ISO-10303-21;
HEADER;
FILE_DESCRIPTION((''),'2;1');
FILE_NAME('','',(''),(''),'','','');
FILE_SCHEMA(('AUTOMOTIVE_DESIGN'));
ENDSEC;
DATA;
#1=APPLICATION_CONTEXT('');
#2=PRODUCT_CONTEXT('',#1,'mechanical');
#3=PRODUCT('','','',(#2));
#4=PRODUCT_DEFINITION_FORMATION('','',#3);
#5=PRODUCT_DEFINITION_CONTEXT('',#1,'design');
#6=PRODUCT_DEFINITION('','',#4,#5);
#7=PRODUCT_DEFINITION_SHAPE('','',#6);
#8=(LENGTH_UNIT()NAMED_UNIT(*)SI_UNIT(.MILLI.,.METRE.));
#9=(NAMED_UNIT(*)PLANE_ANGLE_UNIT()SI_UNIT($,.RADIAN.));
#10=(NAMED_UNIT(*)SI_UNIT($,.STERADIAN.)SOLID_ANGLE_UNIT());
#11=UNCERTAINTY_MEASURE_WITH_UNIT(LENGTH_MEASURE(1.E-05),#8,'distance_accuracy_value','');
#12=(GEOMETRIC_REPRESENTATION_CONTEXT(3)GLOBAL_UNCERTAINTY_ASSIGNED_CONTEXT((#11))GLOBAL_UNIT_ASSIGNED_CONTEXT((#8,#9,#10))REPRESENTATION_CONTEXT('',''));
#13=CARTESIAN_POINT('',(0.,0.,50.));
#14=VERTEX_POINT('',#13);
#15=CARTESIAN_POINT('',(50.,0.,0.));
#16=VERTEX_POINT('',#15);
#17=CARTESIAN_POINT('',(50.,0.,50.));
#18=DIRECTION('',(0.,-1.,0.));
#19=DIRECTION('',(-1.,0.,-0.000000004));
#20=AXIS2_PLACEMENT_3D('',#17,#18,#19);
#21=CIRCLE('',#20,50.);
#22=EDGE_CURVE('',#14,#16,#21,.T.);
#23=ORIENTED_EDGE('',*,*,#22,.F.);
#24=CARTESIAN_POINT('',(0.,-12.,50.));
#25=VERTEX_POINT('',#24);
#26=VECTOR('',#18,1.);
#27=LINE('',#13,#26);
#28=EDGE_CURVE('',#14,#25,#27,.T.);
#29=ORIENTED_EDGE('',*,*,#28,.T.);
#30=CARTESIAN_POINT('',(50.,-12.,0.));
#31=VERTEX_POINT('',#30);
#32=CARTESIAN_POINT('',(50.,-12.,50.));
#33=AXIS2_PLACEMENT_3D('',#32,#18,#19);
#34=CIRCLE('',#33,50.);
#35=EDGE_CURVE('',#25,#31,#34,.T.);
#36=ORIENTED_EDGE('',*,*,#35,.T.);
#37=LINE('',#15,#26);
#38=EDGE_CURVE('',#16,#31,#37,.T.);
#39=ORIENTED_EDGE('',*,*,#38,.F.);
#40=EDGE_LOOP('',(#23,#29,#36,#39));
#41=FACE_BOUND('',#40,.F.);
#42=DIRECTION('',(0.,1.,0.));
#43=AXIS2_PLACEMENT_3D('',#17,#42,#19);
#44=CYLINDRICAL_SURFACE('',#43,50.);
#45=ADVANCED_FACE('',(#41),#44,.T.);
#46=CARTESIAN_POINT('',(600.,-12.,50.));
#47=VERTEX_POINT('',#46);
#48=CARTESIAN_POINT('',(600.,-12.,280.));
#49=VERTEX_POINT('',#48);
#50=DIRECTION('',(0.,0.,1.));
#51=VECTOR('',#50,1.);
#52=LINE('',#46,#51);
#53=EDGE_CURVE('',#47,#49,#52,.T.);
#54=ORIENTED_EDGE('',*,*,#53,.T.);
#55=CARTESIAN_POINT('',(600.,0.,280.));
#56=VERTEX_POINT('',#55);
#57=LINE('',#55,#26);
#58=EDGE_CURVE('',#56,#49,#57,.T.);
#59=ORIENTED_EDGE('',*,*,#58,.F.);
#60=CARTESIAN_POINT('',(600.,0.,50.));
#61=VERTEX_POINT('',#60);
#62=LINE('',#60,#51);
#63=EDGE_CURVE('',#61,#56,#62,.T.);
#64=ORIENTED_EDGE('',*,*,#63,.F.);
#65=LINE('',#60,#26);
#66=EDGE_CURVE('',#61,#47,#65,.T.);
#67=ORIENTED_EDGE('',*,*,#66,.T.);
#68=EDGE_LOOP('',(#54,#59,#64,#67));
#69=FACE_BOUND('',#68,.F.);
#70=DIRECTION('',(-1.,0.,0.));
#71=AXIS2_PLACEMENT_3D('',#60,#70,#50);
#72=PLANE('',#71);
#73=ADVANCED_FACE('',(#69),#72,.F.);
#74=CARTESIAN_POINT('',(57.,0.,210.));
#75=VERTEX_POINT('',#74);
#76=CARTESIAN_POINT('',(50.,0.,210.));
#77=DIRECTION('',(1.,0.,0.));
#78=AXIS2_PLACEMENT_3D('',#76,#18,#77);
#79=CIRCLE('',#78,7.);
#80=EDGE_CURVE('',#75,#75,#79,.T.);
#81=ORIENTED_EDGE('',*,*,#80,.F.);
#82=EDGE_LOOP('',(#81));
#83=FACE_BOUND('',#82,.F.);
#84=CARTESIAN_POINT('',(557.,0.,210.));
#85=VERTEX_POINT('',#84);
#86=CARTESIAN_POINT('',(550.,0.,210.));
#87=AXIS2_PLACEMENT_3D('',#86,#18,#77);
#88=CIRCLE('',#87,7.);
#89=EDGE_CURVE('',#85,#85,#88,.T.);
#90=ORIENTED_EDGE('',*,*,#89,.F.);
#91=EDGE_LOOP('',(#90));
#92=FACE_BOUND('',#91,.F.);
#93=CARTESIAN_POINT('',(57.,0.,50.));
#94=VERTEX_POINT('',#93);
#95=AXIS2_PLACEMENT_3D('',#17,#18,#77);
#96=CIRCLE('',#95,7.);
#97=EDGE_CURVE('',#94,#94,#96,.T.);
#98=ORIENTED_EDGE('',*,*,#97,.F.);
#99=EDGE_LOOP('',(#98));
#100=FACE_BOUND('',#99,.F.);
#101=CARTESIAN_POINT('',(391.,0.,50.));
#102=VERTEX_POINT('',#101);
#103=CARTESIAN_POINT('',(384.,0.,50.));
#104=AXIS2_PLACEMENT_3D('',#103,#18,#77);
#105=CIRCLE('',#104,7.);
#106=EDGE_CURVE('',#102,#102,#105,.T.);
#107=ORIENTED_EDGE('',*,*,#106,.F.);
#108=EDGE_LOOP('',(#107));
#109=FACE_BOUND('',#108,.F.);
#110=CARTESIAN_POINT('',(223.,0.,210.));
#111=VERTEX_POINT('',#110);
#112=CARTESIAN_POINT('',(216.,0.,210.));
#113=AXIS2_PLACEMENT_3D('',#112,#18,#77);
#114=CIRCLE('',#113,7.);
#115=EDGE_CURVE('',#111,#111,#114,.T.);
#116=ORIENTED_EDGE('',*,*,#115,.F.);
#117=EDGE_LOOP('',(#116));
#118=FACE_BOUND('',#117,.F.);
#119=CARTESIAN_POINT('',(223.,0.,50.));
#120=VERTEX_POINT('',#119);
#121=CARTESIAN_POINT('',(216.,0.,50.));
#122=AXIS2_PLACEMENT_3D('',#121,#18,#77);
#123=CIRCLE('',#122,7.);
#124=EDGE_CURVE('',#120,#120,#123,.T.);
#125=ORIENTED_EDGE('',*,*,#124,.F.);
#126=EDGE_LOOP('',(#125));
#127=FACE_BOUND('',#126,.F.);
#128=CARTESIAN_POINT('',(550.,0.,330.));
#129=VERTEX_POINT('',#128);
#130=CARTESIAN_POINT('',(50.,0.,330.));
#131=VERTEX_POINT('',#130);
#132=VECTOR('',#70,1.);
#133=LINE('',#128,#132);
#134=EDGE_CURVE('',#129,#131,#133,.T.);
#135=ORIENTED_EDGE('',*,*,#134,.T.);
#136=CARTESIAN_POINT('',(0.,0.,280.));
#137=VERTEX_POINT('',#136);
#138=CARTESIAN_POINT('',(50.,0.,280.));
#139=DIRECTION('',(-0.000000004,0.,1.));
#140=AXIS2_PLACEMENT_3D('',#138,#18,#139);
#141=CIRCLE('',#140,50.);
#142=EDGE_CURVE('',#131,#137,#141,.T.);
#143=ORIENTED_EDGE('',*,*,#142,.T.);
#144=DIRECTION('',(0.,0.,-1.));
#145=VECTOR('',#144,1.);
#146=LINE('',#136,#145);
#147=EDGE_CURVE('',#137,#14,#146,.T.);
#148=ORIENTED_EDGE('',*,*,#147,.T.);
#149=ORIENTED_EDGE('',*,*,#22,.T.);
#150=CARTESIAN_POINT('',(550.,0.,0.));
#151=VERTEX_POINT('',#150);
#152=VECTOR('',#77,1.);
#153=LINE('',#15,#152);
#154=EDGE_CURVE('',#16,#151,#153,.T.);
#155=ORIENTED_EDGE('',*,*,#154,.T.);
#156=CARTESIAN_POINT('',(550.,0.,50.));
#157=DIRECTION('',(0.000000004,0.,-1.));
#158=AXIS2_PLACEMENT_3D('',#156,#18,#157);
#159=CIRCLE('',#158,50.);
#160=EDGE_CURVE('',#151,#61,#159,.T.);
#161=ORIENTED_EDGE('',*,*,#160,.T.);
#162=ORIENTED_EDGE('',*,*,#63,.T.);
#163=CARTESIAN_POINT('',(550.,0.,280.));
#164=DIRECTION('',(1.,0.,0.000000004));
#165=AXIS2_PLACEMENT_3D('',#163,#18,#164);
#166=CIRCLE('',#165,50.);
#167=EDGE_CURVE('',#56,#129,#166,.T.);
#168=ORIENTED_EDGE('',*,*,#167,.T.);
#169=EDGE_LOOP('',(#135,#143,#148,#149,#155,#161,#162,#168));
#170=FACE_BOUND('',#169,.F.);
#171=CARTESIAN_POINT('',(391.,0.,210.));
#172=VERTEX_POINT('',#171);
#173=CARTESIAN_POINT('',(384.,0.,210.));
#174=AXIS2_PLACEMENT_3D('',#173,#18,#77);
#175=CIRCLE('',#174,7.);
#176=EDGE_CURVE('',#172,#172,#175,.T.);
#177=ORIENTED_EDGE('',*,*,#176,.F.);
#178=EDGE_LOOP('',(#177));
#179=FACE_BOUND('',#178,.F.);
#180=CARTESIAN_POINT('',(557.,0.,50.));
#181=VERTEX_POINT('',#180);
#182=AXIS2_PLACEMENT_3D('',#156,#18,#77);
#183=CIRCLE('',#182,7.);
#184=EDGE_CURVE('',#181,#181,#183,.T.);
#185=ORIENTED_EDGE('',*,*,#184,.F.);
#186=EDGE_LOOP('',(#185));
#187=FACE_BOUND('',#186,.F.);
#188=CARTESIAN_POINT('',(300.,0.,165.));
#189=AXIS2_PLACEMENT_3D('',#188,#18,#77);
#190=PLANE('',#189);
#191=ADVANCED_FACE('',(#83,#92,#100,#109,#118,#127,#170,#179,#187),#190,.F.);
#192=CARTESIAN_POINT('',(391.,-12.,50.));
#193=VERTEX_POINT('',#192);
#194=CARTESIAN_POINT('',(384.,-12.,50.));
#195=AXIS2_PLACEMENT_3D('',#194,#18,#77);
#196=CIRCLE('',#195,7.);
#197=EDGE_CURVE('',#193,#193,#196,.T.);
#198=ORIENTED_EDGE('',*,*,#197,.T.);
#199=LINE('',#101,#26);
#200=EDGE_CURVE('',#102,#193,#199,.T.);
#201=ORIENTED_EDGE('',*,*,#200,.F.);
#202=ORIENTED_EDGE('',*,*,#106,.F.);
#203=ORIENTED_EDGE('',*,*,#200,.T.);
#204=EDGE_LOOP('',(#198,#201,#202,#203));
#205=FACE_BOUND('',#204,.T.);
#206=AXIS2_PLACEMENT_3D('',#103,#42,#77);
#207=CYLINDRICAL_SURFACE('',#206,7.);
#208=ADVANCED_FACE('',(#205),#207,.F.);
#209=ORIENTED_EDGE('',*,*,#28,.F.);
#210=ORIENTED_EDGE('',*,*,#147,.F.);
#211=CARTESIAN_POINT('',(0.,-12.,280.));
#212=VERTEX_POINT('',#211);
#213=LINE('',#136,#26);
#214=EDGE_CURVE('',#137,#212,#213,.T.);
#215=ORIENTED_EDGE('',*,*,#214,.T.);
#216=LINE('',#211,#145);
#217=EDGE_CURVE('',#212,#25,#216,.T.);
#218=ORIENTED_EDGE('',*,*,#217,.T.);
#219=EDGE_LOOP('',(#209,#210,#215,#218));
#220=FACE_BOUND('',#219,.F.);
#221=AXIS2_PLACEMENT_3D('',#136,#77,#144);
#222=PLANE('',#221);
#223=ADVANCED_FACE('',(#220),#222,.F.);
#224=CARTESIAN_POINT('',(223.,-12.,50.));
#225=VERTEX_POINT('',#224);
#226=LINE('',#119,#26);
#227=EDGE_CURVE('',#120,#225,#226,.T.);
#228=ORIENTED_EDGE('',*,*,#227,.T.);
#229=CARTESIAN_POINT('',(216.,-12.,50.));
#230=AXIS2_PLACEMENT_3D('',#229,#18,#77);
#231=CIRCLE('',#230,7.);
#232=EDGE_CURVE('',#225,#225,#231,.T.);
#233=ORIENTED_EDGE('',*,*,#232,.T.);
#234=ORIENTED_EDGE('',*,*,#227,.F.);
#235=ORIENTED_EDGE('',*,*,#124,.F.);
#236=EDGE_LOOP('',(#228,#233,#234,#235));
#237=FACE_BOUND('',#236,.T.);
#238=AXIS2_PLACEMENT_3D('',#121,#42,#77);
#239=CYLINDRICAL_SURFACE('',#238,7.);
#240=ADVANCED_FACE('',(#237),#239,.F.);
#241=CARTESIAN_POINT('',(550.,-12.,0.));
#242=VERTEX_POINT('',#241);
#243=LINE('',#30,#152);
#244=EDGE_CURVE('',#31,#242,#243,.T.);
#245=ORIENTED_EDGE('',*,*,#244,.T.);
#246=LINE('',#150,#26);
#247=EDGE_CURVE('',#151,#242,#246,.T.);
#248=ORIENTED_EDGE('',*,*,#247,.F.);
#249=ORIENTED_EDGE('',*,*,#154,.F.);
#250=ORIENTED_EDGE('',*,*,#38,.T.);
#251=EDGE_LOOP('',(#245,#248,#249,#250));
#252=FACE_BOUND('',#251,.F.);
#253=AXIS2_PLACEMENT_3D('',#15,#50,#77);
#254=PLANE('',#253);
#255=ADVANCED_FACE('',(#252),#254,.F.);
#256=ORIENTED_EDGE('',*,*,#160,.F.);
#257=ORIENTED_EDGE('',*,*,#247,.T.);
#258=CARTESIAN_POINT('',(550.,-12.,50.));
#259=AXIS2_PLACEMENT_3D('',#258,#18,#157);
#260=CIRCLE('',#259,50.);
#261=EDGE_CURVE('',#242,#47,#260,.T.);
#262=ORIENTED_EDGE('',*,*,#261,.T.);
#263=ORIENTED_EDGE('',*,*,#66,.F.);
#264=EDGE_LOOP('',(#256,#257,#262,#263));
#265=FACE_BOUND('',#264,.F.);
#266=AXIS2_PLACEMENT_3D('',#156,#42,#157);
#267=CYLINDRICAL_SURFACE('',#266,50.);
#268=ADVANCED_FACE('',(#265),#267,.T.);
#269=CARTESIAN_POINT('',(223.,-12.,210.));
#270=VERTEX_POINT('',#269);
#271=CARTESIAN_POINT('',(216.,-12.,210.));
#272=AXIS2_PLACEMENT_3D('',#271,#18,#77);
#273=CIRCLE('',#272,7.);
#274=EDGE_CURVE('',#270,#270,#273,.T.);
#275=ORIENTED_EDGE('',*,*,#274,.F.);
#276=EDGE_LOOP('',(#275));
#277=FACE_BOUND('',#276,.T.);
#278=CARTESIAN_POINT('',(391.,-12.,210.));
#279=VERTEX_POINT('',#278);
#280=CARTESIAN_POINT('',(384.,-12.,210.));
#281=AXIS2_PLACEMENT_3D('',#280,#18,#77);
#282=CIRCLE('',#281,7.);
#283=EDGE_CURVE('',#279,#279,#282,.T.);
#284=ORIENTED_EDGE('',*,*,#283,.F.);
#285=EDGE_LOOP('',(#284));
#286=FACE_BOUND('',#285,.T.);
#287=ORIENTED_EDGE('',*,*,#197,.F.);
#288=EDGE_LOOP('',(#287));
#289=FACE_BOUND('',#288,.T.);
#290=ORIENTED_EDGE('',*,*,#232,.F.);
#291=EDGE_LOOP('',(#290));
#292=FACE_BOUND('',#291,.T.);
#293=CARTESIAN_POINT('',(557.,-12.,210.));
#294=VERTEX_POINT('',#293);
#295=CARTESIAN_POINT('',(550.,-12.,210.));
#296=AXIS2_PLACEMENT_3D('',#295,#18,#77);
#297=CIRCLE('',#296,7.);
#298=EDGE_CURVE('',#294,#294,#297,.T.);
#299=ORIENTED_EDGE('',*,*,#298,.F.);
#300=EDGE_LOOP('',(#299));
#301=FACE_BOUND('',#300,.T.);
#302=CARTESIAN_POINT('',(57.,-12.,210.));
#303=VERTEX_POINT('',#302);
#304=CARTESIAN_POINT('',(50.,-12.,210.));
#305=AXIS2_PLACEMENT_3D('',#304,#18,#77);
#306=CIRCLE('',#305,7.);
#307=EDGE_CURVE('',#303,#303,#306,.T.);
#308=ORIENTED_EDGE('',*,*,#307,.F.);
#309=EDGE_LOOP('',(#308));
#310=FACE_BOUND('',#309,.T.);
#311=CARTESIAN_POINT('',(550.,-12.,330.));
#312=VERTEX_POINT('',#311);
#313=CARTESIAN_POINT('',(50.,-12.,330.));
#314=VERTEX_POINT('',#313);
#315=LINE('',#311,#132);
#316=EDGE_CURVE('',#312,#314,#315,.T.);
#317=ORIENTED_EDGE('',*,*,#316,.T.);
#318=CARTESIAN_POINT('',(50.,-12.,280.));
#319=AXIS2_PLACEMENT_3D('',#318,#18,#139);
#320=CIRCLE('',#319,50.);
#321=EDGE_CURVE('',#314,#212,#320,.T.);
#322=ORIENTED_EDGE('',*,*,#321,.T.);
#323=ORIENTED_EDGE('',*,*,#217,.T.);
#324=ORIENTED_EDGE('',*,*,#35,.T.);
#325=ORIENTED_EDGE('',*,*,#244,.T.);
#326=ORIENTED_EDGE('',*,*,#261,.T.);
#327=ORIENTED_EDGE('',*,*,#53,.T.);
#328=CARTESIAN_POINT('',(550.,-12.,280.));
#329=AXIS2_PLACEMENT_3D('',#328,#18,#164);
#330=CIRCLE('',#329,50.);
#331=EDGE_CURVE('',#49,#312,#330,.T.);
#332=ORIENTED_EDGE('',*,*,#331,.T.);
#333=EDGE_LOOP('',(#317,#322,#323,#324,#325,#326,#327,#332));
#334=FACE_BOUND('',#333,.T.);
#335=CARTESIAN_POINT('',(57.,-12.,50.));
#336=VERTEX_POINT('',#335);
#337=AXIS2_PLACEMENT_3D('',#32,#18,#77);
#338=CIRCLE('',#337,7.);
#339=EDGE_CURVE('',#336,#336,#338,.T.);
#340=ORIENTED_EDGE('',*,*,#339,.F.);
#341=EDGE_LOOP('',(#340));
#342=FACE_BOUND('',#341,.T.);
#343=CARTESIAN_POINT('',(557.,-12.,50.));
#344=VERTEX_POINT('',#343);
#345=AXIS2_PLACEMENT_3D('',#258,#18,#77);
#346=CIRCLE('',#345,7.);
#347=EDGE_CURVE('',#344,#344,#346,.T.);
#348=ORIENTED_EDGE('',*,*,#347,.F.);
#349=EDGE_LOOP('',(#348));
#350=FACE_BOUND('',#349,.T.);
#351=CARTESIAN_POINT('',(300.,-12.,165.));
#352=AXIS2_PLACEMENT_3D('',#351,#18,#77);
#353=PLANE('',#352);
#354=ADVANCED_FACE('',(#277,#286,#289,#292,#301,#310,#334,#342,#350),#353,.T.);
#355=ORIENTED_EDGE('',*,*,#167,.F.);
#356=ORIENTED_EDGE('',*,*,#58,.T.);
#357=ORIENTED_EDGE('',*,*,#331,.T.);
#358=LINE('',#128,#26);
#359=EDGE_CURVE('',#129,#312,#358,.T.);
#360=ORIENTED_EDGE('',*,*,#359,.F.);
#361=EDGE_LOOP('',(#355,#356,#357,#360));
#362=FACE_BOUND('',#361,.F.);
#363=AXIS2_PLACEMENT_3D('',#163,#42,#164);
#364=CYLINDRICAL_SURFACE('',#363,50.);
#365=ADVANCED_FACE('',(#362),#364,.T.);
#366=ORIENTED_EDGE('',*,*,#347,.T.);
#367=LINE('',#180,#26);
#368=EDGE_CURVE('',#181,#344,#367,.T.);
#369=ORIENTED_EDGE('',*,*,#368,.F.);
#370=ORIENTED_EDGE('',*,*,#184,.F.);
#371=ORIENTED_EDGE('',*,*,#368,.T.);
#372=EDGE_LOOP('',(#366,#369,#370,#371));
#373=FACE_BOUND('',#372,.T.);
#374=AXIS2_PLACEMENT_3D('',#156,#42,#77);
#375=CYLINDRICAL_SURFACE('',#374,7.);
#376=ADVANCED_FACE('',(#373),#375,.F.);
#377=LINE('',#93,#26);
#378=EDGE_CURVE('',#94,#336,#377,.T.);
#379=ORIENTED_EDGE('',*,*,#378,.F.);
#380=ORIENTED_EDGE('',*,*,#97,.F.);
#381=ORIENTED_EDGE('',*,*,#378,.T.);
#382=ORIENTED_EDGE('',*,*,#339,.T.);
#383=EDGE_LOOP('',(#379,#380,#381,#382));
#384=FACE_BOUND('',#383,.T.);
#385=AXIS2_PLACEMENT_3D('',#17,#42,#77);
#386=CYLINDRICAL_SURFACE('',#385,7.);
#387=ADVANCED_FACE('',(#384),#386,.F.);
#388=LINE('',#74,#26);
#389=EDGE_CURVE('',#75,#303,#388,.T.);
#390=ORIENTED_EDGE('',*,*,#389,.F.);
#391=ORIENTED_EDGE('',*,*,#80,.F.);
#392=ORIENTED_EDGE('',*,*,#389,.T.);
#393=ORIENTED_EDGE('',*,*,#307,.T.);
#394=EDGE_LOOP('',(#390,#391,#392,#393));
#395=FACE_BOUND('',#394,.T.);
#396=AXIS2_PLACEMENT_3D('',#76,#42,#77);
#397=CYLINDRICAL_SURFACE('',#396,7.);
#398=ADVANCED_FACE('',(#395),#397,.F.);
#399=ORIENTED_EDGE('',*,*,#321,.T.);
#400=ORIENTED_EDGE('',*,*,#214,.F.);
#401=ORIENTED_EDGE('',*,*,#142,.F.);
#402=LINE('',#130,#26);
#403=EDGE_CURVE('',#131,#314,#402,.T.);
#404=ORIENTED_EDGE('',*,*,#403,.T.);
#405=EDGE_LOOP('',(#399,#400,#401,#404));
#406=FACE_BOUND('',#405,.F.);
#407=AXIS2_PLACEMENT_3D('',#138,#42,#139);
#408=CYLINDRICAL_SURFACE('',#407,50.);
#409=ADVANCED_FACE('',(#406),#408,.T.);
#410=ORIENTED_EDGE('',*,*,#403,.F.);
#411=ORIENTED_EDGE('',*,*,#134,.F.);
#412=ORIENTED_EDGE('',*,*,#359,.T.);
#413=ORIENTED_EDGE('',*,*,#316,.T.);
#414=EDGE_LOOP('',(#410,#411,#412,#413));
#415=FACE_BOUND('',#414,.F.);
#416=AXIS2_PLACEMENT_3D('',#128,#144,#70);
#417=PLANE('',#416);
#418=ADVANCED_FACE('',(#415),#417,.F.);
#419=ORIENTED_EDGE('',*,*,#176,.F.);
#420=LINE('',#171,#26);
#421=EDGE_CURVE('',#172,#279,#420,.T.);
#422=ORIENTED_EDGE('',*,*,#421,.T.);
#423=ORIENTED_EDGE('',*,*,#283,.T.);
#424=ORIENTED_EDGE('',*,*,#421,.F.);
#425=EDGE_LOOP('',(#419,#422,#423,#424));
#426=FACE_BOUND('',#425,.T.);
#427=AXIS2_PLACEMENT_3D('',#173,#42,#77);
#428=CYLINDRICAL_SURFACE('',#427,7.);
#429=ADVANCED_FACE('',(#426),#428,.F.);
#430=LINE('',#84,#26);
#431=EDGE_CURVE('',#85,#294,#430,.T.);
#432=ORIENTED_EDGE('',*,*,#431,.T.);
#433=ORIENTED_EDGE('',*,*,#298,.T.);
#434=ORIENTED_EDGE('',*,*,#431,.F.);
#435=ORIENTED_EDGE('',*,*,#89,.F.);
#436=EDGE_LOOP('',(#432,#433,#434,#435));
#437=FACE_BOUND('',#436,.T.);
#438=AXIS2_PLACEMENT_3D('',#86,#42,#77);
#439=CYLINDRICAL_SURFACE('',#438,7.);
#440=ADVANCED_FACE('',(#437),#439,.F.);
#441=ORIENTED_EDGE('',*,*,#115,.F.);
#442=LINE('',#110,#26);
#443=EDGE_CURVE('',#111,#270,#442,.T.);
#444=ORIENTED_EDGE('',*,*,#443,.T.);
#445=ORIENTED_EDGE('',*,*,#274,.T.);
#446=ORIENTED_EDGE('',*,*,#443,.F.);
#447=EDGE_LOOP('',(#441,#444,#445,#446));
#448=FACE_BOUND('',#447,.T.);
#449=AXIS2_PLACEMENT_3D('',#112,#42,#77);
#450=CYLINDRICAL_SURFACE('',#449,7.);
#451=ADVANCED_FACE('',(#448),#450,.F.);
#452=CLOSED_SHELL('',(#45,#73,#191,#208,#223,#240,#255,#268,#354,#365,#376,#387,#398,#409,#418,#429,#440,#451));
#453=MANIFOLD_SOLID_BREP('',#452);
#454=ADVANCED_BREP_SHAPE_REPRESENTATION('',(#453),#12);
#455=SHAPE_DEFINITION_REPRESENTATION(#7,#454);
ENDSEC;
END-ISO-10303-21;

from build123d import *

# Parameters (mm, degrees)
F0_R     = 7
F1_DEPTH = 12


with BuildPart() as f1:
    # F0 (on Front) → F1 (new body)
    with BuildSketch(Plane.XZ):
        with BuildLine():
            ThreePointArc((0, 50), (14.644661, 14.644661), (50, 0))
            Line((50, 0), (550, 0))
            ThreePointArc((550, 0), (585.355339, 14.644661), (600, 50))
            Line((600, 50), (600, 280))
            ThreePointArc((600, 280), (585.355339, 315.355339), (550, 330))
            Line((550, 330), (50, 330))
            ThreePointArc((50, 330), (14.644661, 315.355339), (0, 280))
            Line((0, 280), (0, 50))
        make_face()
        with Locations((50, 50)):
            Circle(F0_R, mode=Mode.SUBTRACT)
        with Locations((216, 50)):
            Circle(F0_R, mode=Mode.SUBTRACT)
        with Locations((384, 50)):
            Circle(F0_R, mode=Mode.SUBTRACT)
        with Locations((550, 50)):
            Circle(F0_R, mode=Mode.SUBTRACT)
        with Locations((50, 210)):
            Circle(F0_R, mode=Mode.SUBTRACT)
        with Locations((216, 210)):
            Circle(F0_R, mode=Mode.SUBTRACT)
        with Locations((384, 210)):
            Circle(F0_R, mode=Mode.SUBTRACT)
        with Locations((550, 210)):
            Circle(F0_R, mode=Mode.SUBTRACT)
    extrude(amount=F1_DEPTH)


solid = f1.part
